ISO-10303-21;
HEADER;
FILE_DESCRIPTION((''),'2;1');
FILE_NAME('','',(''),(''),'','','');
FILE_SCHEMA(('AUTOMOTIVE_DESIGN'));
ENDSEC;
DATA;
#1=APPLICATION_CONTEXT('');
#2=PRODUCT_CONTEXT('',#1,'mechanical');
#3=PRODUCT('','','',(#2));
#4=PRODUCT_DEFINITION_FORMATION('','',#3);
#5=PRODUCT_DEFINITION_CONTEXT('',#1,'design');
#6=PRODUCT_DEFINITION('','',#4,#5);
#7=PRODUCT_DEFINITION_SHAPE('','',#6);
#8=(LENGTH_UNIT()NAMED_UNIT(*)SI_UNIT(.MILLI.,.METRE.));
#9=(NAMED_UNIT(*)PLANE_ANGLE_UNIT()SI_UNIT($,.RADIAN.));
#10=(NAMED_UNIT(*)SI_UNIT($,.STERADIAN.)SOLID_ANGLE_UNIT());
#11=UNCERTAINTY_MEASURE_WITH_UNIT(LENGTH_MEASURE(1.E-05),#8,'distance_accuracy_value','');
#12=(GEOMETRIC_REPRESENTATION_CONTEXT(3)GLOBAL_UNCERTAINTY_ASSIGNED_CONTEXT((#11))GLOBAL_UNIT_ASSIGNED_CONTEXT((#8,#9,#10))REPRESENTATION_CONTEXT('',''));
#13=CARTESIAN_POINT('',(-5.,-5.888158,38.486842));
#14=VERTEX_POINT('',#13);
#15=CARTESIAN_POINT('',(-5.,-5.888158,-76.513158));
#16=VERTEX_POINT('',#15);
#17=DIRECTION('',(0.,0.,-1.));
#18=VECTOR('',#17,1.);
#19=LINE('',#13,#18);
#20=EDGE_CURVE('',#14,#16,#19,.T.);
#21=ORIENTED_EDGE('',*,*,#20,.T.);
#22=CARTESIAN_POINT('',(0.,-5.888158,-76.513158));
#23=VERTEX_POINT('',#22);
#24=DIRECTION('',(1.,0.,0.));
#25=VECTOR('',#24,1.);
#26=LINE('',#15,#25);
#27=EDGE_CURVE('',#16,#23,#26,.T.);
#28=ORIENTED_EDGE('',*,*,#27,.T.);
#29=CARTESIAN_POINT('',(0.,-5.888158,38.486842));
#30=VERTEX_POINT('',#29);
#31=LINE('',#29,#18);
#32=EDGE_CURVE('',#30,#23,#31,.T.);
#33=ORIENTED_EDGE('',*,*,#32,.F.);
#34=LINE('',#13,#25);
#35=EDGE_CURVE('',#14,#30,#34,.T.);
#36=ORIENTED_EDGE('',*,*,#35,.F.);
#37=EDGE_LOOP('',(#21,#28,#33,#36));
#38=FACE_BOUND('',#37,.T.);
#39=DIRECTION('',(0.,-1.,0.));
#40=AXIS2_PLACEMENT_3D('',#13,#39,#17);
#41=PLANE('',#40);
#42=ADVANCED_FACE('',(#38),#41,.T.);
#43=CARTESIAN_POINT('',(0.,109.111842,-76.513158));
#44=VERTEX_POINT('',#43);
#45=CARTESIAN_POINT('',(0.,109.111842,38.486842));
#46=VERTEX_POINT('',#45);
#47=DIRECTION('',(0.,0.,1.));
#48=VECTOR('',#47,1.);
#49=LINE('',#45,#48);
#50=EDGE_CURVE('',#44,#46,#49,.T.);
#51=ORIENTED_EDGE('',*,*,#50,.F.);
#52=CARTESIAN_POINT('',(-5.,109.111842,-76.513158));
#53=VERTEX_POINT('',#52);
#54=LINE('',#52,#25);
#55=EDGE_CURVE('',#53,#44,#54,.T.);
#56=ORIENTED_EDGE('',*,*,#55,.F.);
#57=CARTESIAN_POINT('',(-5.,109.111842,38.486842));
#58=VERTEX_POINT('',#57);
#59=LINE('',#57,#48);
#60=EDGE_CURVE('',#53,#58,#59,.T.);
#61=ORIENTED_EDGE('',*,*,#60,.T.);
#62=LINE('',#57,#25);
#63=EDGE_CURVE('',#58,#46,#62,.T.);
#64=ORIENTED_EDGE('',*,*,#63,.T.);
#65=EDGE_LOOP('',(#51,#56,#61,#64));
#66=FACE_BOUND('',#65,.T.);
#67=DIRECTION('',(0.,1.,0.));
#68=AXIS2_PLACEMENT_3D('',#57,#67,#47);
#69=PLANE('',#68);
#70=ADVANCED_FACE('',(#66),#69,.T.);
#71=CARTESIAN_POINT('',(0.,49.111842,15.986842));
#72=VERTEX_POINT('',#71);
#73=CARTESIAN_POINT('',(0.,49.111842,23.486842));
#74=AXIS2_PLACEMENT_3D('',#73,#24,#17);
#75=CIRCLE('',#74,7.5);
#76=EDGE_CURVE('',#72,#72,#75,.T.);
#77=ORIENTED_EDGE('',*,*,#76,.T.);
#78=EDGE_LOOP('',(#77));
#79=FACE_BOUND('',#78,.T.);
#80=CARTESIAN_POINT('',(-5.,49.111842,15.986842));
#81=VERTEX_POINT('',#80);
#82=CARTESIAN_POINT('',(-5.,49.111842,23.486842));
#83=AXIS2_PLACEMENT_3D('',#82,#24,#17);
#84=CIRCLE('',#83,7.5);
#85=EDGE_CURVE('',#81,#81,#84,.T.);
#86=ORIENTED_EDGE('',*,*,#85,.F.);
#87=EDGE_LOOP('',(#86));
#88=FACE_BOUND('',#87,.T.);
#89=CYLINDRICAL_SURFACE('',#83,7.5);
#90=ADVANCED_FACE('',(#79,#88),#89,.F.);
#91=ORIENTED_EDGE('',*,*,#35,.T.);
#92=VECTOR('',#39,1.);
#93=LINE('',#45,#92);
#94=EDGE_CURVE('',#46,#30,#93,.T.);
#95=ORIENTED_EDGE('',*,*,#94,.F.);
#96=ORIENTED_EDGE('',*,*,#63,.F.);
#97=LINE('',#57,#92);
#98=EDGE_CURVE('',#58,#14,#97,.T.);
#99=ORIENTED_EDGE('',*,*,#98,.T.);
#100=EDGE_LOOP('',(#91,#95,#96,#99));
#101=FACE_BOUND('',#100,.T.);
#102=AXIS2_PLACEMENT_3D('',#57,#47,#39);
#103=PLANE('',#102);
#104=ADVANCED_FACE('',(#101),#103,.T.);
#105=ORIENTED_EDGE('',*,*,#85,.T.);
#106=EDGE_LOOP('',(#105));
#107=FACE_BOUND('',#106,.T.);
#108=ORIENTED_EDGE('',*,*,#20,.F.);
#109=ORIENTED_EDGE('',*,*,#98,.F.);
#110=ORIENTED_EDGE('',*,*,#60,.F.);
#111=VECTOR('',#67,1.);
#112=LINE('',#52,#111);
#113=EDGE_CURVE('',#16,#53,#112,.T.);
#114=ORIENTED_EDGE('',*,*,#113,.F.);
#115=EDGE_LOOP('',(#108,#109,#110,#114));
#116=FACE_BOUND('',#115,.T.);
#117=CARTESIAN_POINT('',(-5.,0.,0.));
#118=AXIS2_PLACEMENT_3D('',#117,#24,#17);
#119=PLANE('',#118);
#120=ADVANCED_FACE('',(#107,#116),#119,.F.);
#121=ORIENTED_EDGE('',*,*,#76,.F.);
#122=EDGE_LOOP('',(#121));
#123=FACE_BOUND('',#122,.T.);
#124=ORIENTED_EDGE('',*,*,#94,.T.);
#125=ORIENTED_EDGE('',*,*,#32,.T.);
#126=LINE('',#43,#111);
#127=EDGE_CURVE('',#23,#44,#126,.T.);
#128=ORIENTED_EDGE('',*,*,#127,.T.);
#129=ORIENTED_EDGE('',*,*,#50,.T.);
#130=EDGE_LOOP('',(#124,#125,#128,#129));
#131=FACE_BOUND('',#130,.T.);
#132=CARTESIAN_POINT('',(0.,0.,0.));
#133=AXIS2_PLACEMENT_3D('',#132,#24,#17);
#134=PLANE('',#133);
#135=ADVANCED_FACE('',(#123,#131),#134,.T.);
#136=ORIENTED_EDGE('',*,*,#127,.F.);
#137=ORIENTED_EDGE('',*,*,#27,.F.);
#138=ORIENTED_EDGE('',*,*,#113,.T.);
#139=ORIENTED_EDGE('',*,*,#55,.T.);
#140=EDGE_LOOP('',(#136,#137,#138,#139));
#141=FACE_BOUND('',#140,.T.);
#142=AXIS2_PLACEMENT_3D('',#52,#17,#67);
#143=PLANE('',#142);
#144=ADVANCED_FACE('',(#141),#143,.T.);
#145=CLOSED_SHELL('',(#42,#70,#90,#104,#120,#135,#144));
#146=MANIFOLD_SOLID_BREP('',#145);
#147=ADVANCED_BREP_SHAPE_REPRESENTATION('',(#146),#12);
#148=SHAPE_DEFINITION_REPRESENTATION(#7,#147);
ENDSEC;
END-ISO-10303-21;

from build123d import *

# Parameters (mm, degrees)
SKETCH_1_W      = 115
SKETCH_1_H      = 115
SKETCH_1_R      = 7.5
EXTRUDE_1_DEPTH = 5


with BuildPart() as part:
    # 草圖1 → 填料-伸長1 (new body)
    with BuildSketch(Plane(origin=(0, 0, 0), x_dir=(0, 0, -1), z_dir=(1, 0, 0))):
        with Locations((19.013157895, 51.611842105)):
            Rectangle(SKETCH_1_W, SKETCH_1_H)
        with Locations((-23.486842105, 49.111842105)):
            Circle(SKETCH_1_R, mode=Mode.SUBTRACT)
    extrude(amount=-EXTRUDE_1_DEPTH)


solid = part.part
